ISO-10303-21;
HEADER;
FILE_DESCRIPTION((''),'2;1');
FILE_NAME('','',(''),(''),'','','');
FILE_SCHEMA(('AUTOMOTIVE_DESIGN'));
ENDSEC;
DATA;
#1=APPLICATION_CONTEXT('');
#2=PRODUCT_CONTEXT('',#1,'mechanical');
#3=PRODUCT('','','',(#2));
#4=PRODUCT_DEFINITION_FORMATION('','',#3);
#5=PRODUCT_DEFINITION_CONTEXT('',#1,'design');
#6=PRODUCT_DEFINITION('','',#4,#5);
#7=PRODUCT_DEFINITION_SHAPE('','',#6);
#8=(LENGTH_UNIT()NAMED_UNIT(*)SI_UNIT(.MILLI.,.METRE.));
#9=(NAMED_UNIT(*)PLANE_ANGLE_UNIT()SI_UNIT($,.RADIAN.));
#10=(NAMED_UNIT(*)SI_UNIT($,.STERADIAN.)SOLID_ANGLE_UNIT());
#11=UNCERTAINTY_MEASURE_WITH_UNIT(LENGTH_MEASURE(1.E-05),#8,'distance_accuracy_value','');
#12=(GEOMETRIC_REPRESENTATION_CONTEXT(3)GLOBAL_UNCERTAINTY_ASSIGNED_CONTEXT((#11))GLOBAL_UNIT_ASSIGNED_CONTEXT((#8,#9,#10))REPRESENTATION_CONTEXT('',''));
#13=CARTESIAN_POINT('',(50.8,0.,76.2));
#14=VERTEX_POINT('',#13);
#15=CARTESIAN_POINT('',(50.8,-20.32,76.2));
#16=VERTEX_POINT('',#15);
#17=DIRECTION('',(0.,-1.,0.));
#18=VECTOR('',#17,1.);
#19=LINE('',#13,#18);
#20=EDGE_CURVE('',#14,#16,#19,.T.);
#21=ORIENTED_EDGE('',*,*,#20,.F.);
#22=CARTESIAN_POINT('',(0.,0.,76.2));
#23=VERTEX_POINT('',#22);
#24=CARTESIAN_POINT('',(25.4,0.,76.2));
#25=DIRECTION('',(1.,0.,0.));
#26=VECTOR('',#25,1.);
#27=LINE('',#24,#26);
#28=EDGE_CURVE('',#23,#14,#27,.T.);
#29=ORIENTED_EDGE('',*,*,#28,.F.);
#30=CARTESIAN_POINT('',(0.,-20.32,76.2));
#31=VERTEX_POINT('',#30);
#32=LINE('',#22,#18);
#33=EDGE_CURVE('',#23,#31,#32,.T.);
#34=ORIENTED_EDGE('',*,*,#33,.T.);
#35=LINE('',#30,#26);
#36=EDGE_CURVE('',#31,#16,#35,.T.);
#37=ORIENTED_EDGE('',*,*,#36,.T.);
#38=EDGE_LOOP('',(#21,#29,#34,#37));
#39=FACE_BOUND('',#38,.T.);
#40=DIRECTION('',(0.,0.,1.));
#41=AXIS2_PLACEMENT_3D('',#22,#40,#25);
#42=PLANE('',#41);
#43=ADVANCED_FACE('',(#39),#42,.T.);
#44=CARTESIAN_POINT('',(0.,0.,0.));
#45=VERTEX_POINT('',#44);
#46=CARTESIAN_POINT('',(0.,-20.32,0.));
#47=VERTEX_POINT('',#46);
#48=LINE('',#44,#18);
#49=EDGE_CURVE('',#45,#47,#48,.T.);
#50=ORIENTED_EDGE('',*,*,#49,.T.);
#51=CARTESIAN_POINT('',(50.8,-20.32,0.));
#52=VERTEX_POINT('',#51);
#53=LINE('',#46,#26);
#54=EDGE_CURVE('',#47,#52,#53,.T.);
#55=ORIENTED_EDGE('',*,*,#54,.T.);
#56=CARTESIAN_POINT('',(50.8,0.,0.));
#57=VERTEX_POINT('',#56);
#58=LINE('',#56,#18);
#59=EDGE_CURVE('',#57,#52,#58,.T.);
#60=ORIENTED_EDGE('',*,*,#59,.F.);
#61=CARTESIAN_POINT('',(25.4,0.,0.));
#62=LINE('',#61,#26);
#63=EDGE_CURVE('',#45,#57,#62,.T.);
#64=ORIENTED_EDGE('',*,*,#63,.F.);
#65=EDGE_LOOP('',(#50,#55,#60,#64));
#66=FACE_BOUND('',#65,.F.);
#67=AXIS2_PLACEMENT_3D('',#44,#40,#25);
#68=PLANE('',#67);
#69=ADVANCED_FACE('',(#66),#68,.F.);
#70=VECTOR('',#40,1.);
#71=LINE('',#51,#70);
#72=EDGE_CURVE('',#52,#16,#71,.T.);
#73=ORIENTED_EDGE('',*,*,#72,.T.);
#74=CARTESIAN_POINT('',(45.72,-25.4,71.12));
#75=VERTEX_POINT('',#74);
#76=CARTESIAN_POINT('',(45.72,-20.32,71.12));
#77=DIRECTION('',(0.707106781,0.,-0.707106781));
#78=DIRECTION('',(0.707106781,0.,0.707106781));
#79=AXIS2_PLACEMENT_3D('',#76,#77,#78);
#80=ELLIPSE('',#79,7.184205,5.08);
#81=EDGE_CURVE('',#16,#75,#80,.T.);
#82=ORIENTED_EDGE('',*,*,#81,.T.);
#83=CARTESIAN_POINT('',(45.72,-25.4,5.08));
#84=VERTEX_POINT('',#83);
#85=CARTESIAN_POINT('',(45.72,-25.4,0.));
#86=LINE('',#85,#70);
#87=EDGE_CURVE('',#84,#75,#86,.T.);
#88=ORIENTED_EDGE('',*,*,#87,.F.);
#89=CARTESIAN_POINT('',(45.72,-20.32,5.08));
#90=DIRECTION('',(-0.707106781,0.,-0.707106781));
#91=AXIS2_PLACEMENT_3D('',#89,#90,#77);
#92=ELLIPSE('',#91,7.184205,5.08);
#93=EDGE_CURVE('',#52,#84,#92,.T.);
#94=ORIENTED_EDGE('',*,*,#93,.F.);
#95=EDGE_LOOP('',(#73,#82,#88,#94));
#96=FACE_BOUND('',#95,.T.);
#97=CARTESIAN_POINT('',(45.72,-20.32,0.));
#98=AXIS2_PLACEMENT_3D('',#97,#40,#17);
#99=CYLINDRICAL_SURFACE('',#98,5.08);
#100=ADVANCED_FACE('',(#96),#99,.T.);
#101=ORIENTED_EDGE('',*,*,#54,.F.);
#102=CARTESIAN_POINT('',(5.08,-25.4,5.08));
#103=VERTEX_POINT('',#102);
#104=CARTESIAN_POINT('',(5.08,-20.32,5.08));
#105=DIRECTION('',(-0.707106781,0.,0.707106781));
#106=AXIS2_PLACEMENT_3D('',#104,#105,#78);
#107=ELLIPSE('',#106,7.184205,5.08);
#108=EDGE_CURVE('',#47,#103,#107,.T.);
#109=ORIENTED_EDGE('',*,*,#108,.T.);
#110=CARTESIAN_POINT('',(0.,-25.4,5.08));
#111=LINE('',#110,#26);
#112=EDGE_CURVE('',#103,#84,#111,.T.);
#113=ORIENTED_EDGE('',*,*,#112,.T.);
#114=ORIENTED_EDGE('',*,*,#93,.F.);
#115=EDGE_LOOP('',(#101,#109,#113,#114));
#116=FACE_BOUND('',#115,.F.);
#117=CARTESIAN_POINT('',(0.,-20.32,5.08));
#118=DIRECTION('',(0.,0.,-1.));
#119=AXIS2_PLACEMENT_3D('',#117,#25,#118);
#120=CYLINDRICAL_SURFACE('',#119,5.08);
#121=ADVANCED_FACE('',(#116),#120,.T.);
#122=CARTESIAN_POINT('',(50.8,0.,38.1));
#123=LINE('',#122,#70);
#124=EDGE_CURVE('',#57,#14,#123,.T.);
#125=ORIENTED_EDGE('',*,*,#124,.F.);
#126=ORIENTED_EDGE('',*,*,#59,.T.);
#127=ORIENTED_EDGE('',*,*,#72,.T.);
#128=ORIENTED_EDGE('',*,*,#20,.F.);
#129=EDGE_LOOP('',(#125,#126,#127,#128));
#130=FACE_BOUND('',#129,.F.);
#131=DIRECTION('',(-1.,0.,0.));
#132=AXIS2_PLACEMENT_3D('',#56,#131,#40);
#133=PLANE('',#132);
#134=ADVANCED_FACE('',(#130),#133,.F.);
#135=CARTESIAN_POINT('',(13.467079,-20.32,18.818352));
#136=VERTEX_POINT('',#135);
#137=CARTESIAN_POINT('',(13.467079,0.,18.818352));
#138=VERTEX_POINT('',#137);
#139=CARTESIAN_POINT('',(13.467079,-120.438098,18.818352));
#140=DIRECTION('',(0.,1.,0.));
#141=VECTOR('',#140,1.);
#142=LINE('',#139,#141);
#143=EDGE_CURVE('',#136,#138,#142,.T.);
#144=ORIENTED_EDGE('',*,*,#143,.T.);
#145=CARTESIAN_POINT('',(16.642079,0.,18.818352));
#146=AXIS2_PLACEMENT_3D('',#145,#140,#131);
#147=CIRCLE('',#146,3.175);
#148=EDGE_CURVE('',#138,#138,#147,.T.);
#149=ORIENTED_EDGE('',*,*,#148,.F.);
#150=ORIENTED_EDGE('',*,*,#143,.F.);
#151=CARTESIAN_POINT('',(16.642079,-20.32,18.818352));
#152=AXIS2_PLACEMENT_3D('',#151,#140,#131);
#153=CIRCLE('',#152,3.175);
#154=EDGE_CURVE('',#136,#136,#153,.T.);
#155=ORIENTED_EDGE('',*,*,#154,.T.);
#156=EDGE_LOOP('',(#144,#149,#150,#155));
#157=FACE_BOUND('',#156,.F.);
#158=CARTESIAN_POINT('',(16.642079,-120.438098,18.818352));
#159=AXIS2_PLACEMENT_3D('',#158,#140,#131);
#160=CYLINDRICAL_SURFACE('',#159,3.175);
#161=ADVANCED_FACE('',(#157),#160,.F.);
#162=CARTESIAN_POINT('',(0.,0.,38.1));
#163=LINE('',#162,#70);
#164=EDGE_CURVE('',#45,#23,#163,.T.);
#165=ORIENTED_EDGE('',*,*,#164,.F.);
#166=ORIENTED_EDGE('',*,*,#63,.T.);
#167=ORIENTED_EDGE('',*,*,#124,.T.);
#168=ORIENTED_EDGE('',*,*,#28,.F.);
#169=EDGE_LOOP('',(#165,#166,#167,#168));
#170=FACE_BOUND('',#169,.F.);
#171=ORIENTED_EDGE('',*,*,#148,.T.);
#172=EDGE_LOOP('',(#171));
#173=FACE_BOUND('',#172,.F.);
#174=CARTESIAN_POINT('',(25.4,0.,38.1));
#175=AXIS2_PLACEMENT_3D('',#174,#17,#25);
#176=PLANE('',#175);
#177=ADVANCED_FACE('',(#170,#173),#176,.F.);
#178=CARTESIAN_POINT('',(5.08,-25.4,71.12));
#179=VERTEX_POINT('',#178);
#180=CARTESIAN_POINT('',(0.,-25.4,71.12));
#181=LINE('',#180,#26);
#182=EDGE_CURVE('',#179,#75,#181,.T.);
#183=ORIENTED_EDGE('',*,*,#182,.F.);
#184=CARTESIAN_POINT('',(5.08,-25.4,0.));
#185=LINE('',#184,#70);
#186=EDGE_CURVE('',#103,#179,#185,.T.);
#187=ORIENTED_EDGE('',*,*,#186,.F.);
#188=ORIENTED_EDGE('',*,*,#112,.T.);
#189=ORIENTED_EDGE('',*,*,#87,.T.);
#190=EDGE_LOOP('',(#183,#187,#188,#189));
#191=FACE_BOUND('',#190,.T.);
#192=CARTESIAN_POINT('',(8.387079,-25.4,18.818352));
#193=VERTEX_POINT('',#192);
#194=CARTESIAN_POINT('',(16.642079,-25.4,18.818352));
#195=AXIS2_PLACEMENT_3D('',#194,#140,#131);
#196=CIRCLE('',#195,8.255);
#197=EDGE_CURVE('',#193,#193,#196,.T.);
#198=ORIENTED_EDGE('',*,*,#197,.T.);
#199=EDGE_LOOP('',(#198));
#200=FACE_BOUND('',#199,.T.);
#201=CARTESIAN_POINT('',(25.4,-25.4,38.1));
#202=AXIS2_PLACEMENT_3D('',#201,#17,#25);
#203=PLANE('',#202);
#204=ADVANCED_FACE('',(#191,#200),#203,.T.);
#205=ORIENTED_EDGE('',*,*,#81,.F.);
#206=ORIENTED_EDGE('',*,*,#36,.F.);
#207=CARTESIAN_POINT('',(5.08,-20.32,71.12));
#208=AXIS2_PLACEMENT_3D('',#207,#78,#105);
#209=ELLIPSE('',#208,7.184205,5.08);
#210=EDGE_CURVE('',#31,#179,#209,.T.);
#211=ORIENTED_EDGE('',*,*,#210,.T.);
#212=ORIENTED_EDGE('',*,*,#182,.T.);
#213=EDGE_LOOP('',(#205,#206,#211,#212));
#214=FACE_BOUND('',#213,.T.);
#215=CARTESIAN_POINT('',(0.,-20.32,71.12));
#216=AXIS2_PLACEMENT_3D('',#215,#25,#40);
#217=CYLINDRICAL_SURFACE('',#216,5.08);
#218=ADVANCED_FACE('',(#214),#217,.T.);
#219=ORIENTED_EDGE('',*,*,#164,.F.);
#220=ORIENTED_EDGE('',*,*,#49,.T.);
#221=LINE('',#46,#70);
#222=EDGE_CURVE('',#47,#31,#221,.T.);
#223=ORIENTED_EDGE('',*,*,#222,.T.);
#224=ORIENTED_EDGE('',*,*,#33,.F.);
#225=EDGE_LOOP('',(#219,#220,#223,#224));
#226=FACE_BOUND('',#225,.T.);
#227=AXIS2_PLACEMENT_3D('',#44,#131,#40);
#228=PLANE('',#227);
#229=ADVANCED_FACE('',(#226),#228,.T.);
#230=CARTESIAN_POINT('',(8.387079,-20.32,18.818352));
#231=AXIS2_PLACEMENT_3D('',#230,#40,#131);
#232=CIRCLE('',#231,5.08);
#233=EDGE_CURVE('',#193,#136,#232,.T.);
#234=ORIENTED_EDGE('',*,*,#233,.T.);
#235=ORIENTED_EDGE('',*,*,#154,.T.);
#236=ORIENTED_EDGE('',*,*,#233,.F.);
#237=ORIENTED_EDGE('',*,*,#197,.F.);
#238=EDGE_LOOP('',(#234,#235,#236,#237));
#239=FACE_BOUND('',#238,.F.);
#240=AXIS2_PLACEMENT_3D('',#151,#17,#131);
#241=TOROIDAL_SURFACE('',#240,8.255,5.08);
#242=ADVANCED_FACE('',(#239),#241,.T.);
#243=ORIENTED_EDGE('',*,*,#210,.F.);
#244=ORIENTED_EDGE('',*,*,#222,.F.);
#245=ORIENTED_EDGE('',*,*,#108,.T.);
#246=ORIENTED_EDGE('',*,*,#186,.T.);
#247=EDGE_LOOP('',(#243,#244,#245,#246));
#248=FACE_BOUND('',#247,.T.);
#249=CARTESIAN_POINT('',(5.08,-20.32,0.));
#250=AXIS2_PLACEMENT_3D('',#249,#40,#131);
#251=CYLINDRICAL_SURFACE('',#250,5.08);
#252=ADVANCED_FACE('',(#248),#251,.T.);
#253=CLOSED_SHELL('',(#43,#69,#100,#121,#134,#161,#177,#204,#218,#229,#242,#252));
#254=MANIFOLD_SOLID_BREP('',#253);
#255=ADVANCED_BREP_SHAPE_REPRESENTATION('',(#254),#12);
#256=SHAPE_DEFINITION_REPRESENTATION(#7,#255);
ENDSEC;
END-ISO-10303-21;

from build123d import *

# Parameters (mm, degrees)
F0_W     = 50.8
F0_H     = 76.2
F1_DEPTH = 25.4
F3_D     = 6.35
F4_R     = 5.08


with BuildPart() as f1:
    # F0 (on Front) → F1 (new body)
    with BuildSketch(Plane.XZ):
        with Locations((25.4, 38.1)):
            Rectangle(F0_W, F0_H)
    extrude(amount=F1_DEPTH)

    # F3 (through all)
    with Locations(Plane.XZ.offset(25.4)):
        with Locations((16.642079, 18.818352)):
            Hole(F3_D / 2)

    # F4
    f4_edges = [f1.edges().sort_by_distance(p)[0] for p in [
        (0, -25.4, 38.1),
        (25.4, -25.4, 76.2),
        (25.4, -25.4, 0),
        (50.8, -25.4, 38.1),
        (13.467079, -25.4, 18.818352),
    ]]
    fillet(f4_edges, radius=F4_R)


solid = f1.part
